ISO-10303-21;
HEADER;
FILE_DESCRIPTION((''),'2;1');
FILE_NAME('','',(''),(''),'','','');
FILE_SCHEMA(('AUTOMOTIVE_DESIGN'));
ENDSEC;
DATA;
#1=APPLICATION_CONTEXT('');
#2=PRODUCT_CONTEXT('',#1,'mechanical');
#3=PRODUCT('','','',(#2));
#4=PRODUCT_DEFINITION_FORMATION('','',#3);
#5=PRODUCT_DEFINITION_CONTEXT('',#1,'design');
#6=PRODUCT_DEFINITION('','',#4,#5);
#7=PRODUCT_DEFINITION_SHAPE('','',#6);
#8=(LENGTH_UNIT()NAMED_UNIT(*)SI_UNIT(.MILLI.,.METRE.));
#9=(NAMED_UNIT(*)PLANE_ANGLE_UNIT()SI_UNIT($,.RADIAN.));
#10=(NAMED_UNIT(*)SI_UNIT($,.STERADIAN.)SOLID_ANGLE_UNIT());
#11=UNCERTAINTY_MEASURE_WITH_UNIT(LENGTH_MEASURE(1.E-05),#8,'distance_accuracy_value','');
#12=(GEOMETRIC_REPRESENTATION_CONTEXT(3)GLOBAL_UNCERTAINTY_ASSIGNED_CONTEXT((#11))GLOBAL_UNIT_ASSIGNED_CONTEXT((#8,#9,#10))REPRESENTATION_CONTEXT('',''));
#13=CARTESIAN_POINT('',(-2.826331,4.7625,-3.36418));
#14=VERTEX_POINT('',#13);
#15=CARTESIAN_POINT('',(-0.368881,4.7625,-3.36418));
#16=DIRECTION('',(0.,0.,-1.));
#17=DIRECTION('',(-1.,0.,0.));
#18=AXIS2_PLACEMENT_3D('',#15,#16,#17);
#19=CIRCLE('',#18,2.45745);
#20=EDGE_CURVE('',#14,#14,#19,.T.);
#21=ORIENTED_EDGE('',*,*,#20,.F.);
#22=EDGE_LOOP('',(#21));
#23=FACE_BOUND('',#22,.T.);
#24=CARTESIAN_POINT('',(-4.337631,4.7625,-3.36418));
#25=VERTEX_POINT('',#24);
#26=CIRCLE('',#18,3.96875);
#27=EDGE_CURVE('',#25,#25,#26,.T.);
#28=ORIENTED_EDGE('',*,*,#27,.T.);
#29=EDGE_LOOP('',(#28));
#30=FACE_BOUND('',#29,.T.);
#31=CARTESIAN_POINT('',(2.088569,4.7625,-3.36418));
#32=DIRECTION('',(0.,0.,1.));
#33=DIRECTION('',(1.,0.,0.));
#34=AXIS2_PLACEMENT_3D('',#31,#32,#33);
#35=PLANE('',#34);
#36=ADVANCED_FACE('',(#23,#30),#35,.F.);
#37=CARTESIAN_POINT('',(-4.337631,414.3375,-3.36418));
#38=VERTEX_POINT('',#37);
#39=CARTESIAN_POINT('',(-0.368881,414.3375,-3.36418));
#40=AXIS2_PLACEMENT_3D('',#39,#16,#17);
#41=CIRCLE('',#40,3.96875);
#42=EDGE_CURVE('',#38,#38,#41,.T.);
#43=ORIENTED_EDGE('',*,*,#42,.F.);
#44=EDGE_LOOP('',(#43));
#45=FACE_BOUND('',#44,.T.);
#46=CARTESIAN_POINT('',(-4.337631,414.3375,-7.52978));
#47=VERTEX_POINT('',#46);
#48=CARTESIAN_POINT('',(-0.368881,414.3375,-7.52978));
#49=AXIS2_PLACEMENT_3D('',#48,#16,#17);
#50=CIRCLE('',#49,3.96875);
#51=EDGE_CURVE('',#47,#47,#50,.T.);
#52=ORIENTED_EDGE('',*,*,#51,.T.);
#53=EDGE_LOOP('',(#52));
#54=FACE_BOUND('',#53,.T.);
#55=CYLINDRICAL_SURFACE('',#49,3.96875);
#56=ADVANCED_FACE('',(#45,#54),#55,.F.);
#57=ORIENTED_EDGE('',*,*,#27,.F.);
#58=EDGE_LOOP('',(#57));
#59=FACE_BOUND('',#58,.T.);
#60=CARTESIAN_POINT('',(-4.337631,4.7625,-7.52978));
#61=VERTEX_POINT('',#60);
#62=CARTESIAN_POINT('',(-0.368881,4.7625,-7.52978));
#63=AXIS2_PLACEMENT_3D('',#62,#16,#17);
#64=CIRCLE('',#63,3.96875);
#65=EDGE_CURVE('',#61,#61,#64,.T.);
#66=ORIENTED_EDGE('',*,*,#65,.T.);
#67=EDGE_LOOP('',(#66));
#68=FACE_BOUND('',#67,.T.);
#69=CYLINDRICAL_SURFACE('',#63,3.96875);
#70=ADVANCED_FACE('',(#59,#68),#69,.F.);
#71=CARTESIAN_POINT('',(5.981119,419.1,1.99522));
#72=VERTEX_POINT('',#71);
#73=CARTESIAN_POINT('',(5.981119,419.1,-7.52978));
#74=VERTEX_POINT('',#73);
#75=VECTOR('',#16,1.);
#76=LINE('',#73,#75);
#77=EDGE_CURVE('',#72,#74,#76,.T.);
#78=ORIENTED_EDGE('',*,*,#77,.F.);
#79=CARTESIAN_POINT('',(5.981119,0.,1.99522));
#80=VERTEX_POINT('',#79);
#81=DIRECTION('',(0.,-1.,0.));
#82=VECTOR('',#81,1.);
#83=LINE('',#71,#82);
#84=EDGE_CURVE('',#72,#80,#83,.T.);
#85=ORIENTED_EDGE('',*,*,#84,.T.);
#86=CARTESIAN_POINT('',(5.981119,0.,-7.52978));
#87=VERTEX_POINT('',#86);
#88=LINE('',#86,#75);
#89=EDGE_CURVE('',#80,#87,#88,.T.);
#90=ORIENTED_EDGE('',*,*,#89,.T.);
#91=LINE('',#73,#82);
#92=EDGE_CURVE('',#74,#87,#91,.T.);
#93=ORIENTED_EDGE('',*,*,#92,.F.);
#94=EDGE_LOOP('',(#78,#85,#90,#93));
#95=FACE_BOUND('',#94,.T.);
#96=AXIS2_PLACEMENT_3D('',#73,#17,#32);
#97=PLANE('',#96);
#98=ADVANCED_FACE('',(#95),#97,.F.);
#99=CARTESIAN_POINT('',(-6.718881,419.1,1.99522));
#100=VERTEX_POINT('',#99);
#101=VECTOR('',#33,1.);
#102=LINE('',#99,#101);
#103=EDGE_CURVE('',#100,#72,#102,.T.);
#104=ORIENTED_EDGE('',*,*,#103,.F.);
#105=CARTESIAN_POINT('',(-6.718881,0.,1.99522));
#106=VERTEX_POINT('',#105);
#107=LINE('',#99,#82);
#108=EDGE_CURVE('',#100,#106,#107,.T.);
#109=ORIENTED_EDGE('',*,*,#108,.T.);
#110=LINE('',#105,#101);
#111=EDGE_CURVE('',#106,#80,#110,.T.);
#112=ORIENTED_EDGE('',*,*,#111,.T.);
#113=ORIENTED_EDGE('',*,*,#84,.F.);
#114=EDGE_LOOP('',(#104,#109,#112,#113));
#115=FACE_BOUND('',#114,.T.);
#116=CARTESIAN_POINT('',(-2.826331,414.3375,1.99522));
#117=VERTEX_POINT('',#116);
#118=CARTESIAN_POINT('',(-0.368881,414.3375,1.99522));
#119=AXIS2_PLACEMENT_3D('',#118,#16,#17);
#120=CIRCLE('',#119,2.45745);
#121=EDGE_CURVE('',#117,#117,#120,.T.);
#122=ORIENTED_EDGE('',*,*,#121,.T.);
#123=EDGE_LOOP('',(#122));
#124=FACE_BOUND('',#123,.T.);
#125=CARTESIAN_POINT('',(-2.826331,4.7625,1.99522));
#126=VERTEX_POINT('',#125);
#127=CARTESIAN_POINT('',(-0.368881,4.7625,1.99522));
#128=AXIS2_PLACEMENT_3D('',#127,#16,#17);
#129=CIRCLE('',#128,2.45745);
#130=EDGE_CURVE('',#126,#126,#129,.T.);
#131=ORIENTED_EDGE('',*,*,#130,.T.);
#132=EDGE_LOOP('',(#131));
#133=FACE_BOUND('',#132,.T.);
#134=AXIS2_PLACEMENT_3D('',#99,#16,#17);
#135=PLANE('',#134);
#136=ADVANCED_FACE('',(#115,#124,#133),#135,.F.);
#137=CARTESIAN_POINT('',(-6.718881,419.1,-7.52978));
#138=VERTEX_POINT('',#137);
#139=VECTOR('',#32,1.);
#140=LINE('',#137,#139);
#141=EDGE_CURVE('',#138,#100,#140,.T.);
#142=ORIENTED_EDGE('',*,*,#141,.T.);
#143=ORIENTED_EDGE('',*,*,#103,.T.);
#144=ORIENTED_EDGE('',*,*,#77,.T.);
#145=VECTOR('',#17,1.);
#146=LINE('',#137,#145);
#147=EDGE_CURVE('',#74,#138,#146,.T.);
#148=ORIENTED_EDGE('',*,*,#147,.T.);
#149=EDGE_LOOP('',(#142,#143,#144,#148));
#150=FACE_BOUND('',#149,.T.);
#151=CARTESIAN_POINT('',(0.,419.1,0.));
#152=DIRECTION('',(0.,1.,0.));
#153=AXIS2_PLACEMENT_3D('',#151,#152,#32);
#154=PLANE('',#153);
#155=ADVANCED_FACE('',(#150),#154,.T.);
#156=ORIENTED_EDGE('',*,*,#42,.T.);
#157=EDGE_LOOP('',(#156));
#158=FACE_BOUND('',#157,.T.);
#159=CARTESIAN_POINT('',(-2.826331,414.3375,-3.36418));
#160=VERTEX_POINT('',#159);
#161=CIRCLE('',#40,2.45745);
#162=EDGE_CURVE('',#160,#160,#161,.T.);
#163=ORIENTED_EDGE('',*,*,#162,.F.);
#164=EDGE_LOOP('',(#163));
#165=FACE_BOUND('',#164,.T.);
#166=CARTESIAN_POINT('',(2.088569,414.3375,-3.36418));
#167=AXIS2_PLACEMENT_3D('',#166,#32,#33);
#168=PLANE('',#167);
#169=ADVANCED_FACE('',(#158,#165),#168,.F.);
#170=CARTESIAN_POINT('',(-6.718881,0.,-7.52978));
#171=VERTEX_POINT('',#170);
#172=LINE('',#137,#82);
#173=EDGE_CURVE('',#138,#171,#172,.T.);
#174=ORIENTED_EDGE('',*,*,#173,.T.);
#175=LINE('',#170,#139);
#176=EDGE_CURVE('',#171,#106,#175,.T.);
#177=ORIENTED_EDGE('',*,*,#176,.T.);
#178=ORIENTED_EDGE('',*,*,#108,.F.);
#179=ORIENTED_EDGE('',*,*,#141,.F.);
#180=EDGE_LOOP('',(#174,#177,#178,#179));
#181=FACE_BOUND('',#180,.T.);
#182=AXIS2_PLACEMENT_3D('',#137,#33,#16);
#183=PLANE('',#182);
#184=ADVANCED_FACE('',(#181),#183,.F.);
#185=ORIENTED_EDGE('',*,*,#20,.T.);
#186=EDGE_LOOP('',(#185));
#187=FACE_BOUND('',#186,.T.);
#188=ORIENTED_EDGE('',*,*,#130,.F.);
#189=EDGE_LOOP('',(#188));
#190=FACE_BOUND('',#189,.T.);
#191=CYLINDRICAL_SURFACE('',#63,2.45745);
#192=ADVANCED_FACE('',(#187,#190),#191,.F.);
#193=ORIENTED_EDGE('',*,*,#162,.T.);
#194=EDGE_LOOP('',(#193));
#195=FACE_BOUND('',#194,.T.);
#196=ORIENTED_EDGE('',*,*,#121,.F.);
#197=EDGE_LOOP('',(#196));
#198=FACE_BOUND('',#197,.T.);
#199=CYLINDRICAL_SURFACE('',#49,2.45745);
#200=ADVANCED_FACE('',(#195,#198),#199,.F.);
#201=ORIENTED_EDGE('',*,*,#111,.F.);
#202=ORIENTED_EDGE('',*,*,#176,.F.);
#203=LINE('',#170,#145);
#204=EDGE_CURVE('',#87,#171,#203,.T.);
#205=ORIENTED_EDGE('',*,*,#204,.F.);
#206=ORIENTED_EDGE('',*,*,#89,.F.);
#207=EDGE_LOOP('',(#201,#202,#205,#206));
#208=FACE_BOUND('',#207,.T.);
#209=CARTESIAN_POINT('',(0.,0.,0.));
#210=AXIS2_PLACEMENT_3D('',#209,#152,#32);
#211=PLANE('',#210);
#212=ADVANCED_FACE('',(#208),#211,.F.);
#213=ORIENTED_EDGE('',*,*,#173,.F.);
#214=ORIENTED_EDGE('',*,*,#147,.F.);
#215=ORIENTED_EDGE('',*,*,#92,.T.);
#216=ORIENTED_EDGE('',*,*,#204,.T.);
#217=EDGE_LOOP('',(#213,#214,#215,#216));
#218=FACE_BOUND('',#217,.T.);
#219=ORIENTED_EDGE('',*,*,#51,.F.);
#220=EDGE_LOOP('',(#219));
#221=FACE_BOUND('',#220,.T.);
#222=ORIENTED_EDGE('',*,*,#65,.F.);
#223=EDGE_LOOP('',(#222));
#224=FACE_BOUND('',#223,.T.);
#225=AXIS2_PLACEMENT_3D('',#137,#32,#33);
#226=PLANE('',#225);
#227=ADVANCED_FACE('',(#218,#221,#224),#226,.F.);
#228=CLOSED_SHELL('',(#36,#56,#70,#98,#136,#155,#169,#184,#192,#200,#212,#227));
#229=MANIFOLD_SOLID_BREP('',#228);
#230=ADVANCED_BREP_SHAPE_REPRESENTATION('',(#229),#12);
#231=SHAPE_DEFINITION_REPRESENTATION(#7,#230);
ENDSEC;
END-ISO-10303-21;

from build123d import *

# Parameters (mm, degrees)
SKETCH1_W                                      = 12.7
SKETCH1_H                                      = 9.525
BOSS_EXTRUDE1_DEPTH                            = 419.1
CBORE_FOR_8_SOCKET_HEAD_CAP_SCREW1_D           = 4.9149
CBORE_FOR_8_SOCKET_HEAD_CAP_SCREW1_CBORE_D     = 7.9375
CBORE_FOR_8_SOCKET_HEAD_CAP_SCREW1_CBORE_DEPTH = 4.1656


with BuildPart() as part:
    # Sketch1 → Boss-Extrude1 (new body)
    with BuildSketch(Plane(origin=(0, 0, 0), x_dir=(1, 0, 0), z_dir=(0, 1, 0))):
        with Locations((-0.36888069, 2.767280084)):
            Rectangle(SKETCH1_W, SKETCH1_H)
    extrude(amount=BOSS_EXTRUDE1_DEPTH)

    # CBORE for #8 Socket Head Cap Screw1 (through all)
    with Locations(Plane(origin=(0, 0, -7.529780084), x_dir=(-1, 0, 0), z_dir=(0, 0, -1))):
        with Locations((0.36888069, 414.3375), (0.36888069, 4.7625)):
            CounterBoreHole(CBORE_FOR_8_SOCKET_HEAD_CAP_SCREW1_D / 2, CBORE_FOR_8_SOCKET_HEAD_CAP_SCREW1_CBORE_D / 2, CBORE_FOR_8_SOCKET_HEAD_CAP_SCREW1_CBORE_DEPTH)


solid = part.part
